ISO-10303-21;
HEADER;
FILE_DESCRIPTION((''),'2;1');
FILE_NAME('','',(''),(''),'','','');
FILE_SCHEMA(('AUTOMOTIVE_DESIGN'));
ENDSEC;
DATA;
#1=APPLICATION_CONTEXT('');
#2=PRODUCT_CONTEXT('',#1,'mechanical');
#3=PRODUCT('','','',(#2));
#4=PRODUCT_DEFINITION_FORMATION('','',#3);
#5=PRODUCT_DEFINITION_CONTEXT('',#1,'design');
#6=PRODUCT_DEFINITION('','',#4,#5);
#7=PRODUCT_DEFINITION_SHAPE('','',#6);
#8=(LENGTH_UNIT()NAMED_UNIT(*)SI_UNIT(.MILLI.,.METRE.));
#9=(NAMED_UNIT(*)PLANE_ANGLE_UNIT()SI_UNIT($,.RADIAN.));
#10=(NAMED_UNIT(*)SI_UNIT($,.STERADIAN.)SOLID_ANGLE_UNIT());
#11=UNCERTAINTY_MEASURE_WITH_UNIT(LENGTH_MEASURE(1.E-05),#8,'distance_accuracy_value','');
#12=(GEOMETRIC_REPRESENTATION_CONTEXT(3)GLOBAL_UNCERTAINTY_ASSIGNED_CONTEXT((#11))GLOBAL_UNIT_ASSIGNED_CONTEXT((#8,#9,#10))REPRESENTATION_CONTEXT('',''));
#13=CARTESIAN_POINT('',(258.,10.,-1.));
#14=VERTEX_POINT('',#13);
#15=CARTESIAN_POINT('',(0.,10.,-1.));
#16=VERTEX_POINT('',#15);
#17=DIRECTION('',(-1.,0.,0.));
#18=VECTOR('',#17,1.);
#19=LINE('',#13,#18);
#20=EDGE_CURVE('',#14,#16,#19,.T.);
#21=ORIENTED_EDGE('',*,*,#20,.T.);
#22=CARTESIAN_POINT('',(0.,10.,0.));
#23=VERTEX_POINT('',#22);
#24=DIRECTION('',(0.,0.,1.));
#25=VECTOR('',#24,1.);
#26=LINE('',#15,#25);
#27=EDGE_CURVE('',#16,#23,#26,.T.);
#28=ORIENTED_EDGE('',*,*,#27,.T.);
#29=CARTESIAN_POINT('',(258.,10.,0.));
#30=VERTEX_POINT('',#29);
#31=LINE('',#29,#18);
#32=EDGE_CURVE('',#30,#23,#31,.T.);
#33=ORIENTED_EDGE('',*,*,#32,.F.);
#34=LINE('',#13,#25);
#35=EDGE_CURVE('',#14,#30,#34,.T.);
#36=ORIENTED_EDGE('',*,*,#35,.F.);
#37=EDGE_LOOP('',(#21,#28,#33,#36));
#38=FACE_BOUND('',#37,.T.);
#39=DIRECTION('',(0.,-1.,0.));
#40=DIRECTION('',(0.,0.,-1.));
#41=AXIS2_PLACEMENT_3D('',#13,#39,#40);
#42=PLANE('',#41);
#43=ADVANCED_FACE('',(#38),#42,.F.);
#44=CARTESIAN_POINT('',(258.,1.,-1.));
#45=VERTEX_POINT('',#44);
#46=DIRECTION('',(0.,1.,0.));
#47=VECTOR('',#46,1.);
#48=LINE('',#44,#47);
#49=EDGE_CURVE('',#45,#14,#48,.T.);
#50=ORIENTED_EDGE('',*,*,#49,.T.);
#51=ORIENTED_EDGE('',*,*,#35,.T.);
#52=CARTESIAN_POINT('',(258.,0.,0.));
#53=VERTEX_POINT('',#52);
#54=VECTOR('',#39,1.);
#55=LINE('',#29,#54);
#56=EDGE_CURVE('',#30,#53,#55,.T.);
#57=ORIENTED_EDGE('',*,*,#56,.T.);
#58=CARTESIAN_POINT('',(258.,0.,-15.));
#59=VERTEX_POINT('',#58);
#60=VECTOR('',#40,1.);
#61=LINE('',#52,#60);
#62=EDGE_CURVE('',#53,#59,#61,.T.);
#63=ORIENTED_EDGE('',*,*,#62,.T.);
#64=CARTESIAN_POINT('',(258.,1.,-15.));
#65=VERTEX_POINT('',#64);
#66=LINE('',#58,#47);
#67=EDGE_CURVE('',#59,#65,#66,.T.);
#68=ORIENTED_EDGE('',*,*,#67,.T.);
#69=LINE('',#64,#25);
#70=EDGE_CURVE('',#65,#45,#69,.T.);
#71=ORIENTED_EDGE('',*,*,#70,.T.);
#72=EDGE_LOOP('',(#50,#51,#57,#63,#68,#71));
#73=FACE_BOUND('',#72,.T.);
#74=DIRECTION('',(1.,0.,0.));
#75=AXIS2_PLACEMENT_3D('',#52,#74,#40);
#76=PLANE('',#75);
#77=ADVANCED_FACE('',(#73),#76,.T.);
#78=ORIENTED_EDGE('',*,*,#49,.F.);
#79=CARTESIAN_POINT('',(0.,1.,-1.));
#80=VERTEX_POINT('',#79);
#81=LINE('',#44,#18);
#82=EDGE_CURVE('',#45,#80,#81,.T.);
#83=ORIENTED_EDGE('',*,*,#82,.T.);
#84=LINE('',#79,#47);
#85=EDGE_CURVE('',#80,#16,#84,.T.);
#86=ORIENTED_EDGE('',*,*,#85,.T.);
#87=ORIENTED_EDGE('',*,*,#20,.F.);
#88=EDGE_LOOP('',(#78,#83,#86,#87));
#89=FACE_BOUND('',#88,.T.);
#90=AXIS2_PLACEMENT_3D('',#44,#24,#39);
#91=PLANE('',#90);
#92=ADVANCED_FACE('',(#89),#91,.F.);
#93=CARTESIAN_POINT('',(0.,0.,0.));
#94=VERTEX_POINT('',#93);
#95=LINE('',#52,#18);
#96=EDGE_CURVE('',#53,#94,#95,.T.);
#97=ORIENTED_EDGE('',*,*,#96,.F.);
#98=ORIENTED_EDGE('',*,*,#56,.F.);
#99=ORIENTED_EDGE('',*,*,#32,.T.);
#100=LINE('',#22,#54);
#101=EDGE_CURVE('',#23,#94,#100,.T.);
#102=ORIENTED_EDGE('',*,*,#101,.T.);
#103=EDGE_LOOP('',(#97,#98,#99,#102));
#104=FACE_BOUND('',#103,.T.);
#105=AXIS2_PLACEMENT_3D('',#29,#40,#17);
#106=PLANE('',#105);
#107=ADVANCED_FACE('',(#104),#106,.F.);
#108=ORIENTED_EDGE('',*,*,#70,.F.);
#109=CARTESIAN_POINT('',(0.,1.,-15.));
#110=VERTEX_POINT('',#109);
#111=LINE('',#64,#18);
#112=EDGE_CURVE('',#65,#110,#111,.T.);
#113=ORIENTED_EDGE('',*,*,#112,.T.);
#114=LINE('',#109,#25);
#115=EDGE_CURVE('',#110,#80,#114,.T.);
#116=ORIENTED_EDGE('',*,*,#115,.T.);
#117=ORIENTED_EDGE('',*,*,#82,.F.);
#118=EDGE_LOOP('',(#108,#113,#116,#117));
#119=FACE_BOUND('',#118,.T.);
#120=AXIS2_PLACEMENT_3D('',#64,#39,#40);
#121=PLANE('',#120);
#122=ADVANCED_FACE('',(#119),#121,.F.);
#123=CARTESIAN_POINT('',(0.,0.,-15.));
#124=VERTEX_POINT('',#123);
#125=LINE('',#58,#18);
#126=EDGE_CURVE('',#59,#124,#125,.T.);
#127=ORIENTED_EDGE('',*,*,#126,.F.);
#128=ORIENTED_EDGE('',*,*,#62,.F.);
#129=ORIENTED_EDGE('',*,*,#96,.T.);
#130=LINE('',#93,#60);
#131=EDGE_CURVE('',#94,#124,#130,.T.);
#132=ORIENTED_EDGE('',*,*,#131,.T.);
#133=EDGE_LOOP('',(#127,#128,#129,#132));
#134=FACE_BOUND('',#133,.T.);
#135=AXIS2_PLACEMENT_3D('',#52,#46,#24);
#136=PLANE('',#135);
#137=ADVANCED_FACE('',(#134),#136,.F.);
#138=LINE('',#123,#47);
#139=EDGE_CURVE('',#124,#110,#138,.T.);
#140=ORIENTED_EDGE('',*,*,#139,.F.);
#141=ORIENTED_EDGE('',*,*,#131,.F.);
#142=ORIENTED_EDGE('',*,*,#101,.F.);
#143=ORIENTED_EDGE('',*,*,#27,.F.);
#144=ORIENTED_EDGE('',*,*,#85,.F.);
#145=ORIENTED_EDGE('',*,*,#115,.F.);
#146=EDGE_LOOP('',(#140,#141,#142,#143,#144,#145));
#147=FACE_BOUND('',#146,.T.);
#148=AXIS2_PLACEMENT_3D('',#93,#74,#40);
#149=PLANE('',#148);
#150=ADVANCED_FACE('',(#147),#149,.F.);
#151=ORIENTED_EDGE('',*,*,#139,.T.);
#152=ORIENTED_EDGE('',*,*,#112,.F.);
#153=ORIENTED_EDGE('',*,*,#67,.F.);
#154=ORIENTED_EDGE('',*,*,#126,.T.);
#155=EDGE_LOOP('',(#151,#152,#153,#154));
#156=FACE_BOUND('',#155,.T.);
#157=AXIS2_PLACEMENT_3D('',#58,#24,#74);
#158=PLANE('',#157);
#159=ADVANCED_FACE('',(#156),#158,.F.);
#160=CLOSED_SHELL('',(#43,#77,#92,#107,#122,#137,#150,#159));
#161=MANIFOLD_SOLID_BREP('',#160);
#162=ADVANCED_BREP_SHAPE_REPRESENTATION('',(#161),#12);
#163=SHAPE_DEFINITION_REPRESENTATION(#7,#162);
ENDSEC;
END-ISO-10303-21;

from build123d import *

# Parameters (mm, degrees)
SALIENTE_EXTRUIR1_DEPTH = 258


with BuildPart() as part:
    # Croquis1 → Saliente-Extruir1 (new body)
    with BuildSketch(Plane(origin=(0, 0, 0), x_dir=(0, 0, -1), z_dir=(1, 0, 0))):
        Polygon((0, 10), (0, 0), (15, 0), (15, 1), (1, 1), (1, 10), align=None)
    extrude(amount=SALIENTE_EXTRUIR1_DEPTH)


solid = part.part
